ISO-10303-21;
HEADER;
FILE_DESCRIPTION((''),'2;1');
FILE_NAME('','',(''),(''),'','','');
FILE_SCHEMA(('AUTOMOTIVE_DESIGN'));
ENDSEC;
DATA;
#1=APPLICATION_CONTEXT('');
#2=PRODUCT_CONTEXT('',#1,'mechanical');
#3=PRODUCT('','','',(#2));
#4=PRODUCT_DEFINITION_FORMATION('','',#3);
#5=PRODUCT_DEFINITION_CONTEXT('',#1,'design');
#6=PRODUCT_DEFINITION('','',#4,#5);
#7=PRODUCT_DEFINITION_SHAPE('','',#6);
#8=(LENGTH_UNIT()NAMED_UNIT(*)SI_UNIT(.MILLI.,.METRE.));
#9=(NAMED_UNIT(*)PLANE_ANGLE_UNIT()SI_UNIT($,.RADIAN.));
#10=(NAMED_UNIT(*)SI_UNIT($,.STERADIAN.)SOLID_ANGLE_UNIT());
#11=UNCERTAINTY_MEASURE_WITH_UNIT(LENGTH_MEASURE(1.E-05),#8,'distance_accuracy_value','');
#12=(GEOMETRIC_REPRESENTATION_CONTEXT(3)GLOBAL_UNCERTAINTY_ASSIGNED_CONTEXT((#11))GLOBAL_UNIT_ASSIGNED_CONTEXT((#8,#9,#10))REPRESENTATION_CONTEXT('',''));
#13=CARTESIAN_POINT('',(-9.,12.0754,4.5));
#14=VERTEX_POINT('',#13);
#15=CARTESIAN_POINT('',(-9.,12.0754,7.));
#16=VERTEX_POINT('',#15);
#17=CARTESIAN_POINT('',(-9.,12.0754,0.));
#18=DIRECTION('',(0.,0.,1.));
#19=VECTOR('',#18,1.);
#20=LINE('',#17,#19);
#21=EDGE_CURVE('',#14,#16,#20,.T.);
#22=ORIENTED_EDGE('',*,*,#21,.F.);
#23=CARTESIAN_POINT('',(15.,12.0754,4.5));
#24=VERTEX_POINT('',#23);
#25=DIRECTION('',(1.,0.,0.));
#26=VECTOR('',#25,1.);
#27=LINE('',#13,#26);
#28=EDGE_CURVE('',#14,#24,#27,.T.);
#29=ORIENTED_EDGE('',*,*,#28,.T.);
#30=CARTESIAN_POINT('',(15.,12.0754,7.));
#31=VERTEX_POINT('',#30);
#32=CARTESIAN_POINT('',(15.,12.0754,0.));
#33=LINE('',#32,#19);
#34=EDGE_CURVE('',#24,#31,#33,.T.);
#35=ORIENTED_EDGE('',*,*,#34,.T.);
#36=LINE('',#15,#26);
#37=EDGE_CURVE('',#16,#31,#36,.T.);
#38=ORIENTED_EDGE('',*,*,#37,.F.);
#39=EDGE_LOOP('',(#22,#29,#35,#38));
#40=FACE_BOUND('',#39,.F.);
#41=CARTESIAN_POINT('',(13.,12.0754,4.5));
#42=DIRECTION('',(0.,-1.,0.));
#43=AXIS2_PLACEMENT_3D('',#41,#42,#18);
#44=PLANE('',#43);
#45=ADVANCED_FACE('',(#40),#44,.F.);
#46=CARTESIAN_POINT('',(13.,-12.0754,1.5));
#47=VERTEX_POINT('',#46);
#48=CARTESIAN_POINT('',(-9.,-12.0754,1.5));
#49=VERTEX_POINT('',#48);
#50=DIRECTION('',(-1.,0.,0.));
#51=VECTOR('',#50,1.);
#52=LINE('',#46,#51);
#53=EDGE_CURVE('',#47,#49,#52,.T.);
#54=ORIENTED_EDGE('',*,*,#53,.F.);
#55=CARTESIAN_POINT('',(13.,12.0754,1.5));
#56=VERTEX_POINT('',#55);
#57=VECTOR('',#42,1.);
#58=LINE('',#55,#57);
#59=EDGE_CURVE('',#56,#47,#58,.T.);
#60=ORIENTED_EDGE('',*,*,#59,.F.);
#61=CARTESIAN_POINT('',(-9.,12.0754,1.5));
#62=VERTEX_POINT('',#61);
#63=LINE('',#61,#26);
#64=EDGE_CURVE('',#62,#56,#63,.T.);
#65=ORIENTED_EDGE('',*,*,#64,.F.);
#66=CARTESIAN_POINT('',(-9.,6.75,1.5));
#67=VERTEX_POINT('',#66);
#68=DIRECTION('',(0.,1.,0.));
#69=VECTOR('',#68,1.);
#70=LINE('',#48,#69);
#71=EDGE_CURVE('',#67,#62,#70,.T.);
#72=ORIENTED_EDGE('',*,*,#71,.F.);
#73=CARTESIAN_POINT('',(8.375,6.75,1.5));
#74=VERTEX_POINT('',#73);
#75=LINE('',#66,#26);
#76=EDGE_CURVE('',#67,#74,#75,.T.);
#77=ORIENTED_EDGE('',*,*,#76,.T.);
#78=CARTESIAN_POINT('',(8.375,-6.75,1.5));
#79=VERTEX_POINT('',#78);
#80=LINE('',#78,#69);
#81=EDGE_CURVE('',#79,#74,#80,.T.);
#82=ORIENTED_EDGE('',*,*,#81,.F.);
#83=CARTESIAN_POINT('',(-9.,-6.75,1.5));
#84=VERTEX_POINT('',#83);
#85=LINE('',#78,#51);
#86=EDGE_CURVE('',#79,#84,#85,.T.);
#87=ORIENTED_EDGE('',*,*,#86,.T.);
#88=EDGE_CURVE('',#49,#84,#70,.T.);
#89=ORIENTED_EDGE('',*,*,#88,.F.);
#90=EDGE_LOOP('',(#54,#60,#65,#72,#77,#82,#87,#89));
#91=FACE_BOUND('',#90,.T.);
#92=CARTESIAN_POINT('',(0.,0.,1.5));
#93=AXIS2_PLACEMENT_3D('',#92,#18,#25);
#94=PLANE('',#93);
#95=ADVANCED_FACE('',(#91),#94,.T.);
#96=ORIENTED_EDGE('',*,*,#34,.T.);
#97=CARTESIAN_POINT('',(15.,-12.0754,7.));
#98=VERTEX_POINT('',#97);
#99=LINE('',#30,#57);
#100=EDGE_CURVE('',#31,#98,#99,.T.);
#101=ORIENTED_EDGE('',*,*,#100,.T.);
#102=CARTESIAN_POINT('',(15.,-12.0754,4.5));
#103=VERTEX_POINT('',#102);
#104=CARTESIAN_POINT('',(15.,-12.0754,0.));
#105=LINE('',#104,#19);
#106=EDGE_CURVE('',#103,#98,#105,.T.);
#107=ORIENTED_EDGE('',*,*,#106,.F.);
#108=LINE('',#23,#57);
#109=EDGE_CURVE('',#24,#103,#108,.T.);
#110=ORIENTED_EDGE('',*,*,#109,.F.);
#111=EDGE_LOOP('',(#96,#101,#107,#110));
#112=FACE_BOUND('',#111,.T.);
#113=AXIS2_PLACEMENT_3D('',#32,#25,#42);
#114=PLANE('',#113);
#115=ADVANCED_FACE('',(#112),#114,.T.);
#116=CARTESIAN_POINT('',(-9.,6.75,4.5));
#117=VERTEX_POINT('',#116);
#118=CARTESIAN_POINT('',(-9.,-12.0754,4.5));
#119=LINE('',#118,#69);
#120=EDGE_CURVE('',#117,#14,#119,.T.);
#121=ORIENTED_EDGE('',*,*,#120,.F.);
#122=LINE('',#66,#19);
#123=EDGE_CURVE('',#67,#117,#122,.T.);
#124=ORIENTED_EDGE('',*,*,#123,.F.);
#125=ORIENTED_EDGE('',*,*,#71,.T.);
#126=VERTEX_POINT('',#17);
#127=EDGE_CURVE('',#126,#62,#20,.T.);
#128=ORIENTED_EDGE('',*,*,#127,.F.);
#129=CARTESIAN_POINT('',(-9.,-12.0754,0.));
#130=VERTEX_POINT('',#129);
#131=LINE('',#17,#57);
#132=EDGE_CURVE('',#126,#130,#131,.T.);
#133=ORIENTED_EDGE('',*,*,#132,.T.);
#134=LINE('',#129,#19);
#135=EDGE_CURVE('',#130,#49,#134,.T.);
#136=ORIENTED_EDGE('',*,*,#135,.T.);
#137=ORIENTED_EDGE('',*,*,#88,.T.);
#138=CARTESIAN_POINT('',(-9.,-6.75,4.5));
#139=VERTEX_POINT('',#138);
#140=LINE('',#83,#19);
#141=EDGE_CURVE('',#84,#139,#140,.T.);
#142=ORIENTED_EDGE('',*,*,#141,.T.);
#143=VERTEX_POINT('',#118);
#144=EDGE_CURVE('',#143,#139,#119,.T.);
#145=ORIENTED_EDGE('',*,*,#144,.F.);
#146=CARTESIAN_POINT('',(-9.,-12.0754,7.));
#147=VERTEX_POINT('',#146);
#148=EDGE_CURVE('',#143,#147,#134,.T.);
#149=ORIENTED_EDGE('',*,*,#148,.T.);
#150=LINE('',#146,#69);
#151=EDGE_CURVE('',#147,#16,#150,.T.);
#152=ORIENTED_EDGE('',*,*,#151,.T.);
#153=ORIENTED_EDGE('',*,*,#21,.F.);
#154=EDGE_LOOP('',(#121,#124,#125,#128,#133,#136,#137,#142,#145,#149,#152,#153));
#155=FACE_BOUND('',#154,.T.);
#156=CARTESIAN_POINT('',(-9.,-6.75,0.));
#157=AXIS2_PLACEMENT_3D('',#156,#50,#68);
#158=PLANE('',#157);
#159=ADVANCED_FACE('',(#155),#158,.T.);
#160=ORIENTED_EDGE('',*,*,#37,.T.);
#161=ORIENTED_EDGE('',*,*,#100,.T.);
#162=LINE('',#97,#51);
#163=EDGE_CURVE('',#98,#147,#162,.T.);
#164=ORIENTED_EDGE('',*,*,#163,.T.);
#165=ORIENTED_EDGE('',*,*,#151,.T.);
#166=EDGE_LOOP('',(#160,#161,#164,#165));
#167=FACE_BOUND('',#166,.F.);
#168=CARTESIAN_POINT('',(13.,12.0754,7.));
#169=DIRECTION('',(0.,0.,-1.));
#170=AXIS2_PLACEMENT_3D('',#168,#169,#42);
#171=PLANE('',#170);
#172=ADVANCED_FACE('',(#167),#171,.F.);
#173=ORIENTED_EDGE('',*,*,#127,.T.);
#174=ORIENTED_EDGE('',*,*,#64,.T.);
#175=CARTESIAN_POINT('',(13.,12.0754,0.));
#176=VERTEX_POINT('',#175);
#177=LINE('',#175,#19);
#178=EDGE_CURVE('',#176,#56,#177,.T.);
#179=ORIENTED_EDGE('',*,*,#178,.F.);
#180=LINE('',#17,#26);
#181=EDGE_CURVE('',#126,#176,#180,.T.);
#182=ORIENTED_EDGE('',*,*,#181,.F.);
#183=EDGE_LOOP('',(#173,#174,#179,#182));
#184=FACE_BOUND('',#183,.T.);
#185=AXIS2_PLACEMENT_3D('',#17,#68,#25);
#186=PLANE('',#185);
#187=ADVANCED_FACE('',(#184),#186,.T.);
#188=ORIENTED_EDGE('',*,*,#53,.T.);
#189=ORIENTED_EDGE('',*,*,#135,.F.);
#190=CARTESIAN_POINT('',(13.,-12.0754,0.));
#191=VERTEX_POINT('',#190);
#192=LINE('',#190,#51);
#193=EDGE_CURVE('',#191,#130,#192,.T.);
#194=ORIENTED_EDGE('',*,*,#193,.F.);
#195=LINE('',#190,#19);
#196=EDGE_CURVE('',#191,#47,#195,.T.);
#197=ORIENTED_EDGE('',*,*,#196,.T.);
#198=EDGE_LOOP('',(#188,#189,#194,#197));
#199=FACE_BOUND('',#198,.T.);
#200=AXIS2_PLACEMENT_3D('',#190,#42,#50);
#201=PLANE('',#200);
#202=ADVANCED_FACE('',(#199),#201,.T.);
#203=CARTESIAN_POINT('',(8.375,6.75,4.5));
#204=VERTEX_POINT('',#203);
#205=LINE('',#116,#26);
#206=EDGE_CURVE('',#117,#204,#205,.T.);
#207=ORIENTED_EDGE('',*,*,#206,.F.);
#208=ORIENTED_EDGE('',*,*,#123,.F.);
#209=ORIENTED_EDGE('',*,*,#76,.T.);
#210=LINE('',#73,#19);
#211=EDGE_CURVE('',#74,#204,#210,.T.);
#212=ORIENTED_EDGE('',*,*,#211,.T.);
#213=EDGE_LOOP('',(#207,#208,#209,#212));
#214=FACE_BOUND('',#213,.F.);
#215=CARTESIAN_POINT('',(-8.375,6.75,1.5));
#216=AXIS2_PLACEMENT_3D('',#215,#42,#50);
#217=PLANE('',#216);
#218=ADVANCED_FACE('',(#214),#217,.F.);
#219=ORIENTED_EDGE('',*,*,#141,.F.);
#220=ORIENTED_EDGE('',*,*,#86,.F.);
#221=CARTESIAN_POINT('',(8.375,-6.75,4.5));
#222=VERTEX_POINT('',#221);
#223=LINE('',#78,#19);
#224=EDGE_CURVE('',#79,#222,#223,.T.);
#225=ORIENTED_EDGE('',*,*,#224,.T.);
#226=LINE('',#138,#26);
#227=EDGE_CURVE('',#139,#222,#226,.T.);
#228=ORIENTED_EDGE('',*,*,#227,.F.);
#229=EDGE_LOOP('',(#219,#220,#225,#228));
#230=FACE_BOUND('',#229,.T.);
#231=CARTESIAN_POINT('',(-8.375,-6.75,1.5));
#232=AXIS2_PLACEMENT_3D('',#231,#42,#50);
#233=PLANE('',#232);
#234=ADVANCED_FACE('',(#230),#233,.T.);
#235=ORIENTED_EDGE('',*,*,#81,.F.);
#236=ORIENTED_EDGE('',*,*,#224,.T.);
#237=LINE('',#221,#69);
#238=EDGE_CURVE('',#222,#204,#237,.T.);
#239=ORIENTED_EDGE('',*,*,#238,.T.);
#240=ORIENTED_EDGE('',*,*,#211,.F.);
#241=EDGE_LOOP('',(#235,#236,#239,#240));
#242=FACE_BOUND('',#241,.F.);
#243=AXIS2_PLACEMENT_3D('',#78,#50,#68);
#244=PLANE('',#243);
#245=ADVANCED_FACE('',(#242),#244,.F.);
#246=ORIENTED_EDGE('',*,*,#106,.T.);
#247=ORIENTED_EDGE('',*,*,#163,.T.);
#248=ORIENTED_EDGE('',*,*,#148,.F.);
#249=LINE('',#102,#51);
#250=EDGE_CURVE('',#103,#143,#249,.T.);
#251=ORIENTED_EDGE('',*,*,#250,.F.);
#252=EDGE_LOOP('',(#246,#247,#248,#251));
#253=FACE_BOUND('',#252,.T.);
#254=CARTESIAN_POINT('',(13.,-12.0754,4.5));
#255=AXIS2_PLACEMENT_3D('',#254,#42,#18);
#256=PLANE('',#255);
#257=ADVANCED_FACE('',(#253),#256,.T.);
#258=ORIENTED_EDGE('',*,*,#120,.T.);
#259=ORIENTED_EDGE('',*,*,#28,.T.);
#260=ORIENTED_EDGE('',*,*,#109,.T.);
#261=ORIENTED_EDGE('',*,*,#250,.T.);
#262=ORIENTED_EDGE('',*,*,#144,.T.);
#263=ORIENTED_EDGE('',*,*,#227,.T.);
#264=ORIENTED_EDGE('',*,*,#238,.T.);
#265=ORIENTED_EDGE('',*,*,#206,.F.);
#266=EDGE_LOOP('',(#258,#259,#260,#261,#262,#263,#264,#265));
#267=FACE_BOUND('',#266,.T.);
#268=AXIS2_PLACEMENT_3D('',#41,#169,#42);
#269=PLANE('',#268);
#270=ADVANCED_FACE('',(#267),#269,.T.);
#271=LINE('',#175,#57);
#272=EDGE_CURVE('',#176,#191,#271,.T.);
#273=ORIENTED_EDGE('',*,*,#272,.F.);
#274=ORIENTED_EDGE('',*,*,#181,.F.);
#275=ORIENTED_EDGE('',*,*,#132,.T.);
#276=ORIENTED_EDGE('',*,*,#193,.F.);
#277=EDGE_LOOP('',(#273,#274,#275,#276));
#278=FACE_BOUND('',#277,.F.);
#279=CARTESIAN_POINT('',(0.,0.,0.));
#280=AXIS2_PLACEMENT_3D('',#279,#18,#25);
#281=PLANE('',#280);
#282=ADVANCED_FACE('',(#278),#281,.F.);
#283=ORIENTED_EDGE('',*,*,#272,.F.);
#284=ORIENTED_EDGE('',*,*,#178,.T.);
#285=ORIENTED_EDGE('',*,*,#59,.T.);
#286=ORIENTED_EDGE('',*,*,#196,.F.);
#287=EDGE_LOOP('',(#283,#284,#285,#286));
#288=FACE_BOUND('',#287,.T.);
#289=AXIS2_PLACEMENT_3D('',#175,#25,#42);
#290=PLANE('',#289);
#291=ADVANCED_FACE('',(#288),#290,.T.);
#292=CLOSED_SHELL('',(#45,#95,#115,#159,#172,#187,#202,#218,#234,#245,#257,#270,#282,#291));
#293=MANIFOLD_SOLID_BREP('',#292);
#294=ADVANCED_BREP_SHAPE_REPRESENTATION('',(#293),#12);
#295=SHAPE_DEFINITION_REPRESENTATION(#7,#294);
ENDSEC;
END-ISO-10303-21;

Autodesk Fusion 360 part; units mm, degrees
sketch "Sketch1" plane through (0, 0, 0) normal (0, 0, 1) x (1, 0, 0)
  line L0 (8.375, 6.75) -> (-8.375, 6.75)
  line L1 (-8.375, -6.75) -> (8.375, -6.75)
  line L2 (8.375, -6.75) -> (8.375, 6.75)
  line L3 (8.375, 6.75) -> (-8.375, -6.75) construction
  line L4 (-8.375, 6.75) -> (8.375, -6.75) construction
  line L5 (-9, 12.0754) -> (13, 12.0754)
  line L6 (13, 12.0754) -> (13, -12.0754)
  line L7 (13, -12.0754) -> (-9, -12.0754)
  line L8 (-9, -12.0754) -> (-9, 12.0754)
  line L9 (-9, 12.0754) -> (13, -12.0754) construction
  line L10 (13, 12.0754) -> (-9, -12.0754) construction
  line L11 (-8.375, -6.75) -> (-9, -6.75)
  line L12 (-8.375, 6.75) -> (-9, 6.75)
  point P0 (2, 0)
  dimension "d1" = 16.75
  dimension "d2" = 13.5
extrude "Extrude1" add sketch "Sketch1" along normal blind 7
extrude "Extrude2" cut sketch "Sketch1" along normal blind 4.5 and the other way blind -1.5 contours L0 L1 L2 L5 L6 L7 L8 L11 L12
extrude "Extrude3" add 1 faces at (13, 4.0251, 6.1667) along direction (1, 0, 0) blind 2
